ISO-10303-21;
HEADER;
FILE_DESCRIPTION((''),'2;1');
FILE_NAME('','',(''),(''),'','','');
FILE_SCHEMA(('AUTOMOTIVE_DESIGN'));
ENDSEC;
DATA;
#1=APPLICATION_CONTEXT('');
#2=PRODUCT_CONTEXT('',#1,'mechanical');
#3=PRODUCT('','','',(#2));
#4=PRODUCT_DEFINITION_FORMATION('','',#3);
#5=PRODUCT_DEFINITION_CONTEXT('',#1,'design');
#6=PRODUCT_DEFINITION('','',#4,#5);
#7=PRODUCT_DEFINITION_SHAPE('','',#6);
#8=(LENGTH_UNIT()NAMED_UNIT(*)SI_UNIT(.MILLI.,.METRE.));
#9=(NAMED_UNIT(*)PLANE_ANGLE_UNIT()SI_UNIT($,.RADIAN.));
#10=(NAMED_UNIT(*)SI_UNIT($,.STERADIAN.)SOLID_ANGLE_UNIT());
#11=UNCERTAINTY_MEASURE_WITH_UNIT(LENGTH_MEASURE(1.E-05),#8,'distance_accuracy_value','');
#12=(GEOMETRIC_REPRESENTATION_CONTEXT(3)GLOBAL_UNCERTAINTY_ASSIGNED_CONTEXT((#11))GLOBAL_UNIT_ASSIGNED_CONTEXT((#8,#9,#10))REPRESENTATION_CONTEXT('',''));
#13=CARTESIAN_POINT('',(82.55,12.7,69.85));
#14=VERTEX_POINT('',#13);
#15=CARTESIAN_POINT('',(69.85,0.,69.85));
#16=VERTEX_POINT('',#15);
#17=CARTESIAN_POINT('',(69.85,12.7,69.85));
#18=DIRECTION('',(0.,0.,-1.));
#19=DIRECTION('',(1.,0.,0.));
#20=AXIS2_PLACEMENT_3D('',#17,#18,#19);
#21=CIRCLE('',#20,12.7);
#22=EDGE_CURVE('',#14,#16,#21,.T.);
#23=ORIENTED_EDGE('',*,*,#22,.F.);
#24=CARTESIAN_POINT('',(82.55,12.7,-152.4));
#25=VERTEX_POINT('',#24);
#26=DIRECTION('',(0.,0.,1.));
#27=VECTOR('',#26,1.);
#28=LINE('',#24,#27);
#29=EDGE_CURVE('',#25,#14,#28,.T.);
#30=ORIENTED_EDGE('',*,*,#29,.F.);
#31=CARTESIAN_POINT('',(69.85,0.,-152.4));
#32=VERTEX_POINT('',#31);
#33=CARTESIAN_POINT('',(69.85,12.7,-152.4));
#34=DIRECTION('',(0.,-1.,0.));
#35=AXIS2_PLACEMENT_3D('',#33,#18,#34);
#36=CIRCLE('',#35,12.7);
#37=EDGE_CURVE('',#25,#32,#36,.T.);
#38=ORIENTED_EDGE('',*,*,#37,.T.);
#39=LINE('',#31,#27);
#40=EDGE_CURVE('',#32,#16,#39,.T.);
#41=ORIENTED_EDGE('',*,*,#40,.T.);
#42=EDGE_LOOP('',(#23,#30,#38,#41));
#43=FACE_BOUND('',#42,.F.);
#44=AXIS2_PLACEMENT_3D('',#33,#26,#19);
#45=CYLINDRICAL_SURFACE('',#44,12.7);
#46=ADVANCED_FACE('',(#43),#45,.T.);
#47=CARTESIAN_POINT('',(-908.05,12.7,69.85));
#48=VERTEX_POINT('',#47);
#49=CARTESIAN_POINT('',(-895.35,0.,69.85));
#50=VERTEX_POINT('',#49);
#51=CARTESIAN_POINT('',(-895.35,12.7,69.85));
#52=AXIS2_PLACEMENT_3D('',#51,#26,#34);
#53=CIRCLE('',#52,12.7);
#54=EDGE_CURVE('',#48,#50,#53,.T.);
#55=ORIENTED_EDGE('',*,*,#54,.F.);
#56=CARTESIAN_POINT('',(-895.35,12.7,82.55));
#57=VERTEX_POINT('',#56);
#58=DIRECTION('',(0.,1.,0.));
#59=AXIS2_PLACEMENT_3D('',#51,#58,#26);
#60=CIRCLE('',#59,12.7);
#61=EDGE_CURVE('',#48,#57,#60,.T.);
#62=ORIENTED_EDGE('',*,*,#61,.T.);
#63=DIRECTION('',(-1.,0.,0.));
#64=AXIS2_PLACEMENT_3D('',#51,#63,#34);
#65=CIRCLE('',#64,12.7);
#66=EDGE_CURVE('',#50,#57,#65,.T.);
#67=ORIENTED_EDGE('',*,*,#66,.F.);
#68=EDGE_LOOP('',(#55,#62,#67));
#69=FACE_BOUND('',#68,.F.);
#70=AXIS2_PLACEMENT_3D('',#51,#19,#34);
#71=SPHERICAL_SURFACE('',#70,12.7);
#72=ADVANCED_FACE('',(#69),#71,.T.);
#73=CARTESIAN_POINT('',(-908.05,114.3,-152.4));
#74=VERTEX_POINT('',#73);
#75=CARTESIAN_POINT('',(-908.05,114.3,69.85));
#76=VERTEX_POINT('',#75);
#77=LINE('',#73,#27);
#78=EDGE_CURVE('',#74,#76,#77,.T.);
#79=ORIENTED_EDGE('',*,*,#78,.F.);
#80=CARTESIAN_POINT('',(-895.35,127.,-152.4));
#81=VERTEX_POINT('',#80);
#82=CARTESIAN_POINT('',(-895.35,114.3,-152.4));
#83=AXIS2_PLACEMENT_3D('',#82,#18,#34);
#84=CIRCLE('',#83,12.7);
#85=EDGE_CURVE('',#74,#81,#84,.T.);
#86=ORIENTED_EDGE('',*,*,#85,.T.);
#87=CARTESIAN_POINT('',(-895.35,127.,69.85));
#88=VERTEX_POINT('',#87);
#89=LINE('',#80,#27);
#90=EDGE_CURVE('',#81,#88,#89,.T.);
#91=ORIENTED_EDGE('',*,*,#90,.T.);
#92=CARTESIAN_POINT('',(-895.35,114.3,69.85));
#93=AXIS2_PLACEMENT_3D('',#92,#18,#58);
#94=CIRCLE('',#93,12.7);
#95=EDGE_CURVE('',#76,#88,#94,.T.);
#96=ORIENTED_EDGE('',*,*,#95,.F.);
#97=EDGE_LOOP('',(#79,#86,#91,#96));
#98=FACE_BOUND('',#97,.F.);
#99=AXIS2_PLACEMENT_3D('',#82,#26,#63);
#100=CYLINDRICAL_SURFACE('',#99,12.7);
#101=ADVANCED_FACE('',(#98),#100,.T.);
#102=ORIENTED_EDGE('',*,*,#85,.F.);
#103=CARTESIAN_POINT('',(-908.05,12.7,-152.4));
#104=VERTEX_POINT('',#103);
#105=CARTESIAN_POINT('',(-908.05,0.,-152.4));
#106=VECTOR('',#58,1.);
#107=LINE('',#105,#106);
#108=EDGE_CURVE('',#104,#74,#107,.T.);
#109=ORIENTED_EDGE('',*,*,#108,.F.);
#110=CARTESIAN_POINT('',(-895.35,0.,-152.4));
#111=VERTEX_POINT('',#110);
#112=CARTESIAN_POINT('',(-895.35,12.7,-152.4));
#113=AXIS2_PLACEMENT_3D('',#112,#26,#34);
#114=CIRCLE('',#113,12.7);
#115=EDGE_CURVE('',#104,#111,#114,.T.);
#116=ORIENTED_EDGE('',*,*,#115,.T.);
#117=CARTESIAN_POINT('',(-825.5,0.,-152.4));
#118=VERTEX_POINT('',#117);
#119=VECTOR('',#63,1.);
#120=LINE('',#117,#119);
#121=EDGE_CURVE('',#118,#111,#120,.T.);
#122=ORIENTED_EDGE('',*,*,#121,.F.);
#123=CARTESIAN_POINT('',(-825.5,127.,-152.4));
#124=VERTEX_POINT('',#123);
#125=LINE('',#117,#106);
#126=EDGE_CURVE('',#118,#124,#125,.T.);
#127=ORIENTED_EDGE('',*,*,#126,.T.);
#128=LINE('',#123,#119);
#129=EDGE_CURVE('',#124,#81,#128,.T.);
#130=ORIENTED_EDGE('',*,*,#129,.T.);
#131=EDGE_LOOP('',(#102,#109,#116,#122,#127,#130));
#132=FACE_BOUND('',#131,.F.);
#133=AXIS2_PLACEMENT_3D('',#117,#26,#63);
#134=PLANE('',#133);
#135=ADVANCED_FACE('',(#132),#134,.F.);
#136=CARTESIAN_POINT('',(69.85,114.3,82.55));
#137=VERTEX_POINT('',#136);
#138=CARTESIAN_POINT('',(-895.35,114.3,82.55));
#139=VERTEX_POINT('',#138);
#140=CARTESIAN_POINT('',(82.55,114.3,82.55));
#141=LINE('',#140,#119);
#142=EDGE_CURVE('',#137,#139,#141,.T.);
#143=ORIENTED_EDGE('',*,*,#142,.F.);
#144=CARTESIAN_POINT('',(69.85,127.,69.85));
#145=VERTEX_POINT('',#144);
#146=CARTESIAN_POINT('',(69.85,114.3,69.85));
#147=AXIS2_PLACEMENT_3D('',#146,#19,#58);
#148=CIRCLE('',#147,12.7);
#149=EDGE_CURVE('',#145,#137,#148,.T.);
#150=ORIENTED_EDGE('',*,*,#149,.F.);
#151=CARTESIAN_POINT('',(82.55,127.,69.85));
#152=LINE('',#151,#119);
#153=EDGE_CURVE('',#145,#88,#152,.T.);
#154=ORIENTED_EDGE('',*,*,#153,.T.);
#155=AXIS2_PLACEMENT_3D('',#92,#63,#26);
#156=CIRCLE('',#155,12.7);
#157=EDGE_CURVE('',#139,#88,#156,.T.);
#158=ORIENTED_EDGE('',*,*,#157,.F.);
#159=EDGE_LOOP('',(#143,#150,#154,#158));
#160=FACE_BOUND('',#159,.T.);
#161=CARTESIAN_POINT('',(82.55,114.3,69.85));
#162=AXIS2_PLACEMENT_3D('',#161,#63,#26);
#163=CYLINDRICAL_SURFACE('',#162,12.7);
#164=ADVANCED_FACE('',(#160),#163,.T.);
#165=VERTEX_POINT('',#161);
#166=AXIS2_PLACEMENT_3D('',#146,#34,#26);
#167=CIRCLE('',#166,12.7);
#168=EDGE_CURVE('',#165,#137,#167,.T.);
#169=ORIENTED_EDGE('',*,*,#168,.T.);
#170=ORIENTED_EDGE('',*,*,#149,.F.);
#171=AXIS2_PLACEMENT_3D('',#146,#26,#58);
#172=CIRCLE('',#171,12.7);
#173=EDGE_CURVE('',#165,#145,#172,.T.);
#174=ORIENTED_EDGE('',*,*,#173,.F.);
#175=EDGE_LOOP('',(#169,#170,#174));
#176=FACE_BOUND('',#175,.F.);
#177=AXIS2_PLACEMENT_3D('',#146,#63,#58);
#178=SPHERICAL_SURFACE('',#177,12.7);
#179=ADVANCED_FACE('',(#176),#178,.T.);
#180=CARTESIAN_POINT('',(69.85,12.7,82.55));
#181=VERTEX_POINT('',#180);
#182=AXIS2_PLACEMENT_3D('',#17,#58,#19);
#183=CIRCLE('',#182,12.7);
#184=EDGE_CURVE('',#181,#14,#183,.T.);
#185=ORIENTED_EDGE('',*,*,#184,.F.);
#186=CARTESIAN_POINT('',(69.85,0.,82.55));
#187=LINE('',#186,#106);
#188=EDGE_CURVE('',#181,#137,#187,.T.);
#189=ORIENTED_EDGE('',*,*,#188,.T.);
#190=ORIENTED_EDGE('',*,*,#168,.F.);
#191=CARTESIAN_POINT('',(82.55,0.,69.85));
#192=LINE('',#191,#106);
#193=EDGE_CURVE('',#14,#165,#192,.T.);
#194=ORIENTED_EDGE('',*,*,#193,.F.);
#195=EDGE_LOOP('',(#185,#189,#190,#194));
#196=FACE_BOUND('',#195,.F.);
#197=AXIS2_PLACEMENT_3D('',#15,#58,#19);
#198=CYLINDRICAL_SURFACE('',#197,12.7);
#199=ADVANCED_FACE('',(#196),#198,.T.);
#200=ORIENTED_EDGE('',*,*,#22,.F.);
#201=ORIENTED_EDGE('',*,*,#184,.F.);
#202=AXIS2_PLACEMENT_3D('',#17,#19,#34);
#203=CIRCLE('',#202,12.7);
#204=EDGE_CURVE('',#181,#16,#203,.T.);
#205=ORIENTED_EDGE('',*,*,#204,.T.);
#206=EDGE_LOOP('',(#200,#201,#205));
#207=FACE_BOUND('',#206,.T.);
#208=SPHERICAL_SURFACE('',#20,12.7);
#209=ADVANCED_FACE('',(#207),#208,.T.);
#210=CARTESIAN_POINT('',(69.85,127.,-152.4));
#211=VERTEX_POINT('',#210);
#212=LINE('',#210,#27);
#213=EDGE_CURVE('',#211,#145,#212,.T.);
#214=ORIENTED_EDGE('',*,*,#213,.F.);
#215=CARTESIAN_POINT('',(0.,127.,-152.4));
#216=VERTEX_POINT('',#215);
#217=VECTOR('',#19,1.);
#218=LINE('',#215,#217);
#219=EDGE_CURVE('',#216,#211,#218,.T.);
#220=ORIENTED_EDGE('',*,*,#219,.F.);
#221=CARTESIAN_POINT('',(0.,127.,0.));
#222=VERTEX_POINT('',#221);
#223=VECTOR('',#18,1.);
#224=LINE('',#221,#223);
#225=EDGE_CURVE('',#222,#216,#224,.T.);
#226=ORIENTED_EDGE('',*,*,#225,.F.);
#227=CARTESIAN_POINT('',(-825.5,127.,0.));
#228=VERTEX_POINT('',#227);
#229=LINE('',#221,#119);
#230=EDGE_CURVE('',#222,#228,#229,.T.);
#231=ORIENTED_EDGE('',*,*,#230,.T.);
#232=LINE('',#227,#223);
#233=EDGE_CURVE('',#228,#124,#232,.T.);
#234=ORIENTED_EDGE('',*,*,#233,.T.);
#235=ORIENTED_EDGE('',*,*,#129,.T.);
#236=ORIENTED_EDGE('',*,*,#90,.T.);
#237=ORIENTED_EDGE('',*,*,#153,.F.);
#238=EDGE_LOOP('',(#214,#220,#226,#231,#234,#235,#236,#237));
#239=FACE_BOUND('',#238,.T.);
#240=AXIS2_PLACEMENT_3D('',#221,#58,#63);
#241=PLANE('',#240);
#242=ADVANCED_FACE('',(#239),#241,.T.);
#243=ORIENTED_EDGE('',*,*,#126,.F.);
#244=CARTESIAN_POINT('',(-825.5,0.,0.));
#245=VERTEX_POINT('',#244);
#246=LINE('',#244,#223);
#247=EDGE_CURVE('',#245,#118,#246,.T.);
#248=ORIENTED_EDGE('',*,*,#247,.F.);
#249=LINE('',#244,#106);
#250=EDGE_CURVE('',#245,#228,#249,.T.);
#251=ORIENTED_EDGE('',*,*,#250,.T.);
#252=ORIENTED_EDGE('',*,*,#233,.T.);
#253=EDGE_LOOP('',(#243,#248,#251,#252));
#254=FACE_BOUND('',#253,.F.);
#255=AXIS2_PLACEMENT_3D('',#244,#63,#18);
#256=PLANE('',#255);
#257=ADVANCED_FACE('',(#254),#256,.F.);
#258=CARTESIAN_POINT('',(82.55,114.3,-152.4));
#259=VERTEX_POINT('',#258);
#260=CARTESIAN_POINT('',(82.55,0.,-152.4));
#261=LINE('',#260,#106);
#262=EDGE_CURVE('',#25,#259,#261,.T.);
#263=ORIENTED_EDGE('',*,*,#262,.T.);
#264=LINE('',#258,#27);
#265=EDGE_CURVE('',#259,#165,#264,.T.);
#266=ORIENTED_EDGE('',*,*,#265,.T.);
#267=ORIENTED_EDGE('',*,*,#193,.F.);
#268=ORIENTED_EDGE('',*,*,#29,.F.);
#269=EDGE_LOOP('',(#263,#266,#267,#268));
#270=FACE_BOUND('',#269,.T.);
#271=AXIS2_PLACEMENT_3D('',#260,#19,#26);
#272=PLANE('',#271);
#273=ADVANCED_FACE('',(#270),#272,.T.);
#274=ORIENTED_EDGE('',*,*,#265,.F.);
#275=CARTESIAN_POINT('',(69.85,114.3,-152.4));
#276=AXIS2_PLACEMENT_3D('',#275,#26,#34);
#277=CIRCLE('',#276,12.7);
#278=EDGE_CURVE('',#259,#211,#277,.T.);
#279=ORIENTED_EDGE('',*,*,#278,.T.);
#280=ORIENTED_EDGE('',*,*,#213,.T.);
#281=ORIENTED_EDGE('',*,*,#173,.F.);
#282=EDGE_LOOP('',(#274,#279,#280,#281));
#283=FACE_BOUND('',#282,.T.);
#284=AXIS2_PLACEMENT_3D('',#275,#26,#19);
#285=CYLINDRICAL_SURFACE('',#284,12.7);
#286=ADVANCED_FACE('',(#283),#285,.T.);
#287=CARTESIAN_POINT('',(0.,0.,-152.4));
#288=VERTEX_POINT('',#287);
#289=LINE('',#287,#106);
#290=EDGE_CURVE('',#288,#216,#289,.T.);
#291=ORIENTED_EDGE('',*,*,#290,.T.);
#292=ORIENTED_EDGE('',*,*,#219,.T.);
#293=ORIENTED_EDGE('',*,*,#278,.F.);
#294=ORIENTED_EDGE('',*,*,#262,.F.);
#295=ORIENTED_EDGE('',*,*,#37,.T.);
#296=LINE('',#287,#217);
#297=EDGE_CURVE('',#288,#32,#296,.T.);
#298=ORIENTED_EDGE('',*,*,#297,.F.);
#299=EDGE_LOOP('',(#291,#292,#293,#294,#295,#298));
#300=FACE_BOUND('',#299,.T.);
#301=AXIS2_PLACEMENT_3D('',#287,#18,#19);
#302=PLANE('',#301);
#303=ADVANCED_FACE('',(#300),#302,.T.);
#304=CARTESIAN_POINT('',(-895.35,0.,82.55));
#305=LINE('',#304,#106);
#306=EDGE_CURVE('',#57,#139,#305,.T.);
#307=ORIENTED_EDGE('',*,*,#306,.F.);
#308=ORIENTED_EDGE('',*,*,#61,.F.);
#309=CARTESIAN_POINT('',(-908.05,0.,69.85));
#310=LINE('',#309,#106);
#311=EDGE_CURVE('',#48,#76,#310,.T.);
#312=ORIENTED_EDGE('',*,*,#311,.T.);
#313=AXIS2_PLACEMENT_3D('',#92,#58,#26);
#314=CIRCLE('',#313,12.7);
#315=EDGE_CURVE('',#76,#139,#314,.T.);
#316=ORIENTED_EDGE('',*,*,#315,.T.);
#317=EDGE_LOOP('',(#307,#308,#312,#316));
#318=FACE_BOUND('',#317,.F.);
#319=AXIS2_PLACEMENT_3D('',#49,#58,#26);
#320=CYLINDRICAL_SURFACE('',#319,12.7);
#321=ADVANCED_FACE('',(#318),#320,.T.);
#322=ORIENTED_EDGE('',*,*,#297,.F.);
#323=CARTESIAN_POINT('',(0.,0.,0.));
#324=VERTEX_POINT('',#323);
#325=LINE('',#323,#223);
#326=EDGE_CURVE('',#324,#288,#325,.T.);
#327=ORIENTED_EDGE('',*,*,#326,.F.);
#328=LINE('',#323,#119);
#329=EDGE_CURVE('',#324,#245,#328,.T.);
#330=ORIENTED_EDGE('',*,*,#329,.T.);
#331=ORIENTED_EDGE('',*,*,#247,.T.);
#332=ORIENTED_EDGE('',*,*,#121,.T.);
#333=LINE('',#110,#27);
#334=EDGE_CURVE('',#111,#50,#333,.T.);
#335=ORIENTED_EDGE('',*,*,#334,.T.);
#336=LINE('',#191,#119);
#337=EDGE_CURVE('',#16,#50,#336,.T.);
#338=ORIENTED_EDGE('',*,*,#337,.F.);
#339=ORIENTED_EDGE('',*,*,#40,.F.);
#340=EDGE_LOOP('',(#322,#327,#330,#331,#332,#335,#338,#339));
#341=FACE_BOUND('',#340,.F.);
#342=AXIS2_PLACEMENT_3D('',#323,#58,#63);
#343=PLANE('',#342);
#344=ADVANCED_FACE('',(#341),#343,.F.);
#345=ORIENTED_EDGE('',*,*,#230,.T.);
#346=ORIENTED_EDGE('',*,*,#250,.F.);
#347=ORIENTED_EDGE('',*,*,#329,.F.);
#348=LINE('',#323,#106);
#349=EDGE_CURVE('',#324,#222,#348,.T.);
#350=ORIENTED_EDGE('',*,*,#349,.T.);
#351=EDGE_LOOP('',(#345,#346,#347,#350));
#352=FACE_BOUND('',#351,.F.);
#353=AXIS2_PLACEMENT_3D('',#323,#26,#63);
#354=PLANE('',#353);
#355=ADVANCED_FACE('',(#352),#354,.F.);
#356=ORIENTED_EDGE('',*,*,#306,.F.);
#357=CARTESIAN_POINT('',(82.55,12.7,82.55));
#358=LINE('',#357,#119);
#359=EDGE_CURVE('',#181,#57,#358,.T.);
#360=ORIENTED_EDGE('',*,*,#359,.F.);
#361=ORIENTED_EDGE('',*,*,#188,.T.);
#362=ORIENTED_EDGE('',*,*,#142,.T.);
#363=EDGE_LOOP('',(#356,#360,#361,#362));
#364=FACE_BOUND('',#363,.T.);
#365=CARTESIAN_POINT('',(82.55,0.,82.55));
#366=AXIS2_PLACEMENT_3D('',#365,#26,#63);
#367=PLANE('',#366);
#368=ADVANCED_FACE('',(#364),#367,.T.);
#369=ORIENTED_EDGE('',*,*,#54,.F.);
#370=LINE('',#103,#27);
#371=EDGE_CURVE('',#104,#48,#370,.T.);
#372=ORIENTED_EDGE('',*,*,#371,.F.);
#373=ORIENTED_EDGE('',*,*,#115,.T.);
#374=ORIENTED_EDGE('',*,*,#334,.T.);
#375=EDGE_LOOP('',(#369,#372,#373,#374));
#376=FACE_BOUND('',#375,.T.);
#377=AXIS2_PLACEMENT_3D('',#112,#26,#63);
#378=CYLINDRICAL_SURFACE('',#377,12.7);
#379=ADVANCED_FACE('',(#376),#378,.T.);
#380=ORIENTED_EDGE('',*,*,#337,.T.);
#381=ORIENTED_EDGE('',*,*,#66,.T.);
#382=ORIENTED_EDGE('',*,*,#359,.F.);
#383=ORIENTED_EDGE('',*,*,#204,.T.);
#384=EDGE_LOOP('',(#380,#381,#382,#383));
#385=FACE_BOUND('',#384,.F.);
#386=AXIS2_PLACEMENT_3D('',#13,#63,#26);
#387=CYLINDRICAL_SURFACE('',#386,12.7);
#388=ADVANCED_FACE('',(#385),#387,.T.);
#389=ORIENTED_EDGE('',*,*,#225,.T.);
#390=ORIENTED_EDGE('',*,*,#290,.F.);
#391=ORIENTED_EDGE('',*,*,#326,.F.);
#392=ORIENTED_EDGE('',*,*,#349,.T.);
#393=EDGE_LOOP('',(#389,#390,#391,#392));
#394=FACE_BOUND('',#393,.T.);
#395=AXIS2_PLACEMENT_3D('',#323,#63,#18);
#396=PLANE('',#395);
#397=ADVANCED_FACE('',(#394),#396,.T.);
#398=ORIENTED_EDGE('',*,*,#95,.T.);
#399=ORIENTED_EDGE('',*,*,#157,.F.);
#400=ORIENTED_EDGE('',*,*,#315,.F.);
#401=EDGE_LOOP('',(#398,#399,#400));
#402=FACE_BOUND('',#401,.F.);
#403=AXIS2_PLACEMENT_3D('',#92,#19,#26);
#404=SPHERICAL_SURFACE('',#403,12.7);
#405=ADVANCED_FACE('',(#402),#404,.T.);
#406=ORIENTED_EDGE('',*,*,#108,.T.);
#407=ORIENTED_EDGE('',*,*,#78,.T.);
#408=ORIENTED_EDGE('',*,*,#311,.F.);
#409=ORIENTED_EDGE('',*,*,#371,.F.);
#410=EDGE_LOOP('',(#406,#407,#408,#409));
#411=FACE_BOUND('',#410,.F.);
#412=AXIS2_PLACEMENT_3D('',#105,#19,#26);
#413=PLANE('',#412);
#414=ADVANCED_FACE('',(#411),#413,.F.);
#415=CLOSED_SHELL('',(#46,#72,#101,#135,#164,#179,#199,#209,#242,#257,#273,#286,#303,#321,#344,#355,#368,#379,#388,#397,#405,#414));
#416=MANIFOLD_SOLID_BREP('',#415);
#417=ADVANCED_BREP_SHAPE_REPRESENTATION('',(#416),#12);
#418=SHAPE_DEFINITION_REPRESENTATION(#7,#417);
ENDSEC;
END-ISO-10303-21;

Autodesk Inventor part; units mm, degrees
ref_plane "YZ Plane" through (0, 0, 0) normal (1, 0, 0) x (0, 1, 0)
ref_plane "XZ Plane" through (0, 0, 0) normal (0, 1, 0) x (-1, 0, 0)
ref_plane "XY Plane" through (0, 0, 0) normal (0, 0, 1) x (1, 0, 0)
sketch "Sketch1" plane through (0, 0, 0) normal (0, 1, 0) x (-1, 0, 0)
  line L0 (0, 0) -> (825.5, 0)
  line L1 (825.5, 0) -> (825.5, -152.4)
  line L2 (825.5, -152.4) -> (908.05, -152.4)
  line L3 (908.05, -152.4) -> (908.05, 82.55)
  line L4 (0, 0) -> (0, -152.4)
  line L5 (0, -152.4) -> (-82.55, -152.4)
  line L6 (-82.55, -152.4) -> (-82.55, 82.55)
  line L7 (-82.55, 82.55) -> (908.05, 82.55)
  dimension "d0" = 825.5
  dimension "d1" = 152.4
  dimension "d2" = 82.55
  dimension "d3" = 234.95
  dimension "d4" = 152.4
  dimension "d5" = 82.55
  dimension "d6" = 234.95
extrude "Extrusion1" add sketch "Sketch1" along normal blind 127
fillet "Fillet1" radius 12.7 8 edges at (-412.75, 127, 82.55) (82.55, 127, -34.925) (82.55, 0, -34.925) (82.55, 63.5, 82.55) (-412.75, 0, 82.55) (-908.05, 0, -34.925) (-908.05, 63.5, 82.55) (-908.05, 127, -34.925)
properties part number "Bumper"
